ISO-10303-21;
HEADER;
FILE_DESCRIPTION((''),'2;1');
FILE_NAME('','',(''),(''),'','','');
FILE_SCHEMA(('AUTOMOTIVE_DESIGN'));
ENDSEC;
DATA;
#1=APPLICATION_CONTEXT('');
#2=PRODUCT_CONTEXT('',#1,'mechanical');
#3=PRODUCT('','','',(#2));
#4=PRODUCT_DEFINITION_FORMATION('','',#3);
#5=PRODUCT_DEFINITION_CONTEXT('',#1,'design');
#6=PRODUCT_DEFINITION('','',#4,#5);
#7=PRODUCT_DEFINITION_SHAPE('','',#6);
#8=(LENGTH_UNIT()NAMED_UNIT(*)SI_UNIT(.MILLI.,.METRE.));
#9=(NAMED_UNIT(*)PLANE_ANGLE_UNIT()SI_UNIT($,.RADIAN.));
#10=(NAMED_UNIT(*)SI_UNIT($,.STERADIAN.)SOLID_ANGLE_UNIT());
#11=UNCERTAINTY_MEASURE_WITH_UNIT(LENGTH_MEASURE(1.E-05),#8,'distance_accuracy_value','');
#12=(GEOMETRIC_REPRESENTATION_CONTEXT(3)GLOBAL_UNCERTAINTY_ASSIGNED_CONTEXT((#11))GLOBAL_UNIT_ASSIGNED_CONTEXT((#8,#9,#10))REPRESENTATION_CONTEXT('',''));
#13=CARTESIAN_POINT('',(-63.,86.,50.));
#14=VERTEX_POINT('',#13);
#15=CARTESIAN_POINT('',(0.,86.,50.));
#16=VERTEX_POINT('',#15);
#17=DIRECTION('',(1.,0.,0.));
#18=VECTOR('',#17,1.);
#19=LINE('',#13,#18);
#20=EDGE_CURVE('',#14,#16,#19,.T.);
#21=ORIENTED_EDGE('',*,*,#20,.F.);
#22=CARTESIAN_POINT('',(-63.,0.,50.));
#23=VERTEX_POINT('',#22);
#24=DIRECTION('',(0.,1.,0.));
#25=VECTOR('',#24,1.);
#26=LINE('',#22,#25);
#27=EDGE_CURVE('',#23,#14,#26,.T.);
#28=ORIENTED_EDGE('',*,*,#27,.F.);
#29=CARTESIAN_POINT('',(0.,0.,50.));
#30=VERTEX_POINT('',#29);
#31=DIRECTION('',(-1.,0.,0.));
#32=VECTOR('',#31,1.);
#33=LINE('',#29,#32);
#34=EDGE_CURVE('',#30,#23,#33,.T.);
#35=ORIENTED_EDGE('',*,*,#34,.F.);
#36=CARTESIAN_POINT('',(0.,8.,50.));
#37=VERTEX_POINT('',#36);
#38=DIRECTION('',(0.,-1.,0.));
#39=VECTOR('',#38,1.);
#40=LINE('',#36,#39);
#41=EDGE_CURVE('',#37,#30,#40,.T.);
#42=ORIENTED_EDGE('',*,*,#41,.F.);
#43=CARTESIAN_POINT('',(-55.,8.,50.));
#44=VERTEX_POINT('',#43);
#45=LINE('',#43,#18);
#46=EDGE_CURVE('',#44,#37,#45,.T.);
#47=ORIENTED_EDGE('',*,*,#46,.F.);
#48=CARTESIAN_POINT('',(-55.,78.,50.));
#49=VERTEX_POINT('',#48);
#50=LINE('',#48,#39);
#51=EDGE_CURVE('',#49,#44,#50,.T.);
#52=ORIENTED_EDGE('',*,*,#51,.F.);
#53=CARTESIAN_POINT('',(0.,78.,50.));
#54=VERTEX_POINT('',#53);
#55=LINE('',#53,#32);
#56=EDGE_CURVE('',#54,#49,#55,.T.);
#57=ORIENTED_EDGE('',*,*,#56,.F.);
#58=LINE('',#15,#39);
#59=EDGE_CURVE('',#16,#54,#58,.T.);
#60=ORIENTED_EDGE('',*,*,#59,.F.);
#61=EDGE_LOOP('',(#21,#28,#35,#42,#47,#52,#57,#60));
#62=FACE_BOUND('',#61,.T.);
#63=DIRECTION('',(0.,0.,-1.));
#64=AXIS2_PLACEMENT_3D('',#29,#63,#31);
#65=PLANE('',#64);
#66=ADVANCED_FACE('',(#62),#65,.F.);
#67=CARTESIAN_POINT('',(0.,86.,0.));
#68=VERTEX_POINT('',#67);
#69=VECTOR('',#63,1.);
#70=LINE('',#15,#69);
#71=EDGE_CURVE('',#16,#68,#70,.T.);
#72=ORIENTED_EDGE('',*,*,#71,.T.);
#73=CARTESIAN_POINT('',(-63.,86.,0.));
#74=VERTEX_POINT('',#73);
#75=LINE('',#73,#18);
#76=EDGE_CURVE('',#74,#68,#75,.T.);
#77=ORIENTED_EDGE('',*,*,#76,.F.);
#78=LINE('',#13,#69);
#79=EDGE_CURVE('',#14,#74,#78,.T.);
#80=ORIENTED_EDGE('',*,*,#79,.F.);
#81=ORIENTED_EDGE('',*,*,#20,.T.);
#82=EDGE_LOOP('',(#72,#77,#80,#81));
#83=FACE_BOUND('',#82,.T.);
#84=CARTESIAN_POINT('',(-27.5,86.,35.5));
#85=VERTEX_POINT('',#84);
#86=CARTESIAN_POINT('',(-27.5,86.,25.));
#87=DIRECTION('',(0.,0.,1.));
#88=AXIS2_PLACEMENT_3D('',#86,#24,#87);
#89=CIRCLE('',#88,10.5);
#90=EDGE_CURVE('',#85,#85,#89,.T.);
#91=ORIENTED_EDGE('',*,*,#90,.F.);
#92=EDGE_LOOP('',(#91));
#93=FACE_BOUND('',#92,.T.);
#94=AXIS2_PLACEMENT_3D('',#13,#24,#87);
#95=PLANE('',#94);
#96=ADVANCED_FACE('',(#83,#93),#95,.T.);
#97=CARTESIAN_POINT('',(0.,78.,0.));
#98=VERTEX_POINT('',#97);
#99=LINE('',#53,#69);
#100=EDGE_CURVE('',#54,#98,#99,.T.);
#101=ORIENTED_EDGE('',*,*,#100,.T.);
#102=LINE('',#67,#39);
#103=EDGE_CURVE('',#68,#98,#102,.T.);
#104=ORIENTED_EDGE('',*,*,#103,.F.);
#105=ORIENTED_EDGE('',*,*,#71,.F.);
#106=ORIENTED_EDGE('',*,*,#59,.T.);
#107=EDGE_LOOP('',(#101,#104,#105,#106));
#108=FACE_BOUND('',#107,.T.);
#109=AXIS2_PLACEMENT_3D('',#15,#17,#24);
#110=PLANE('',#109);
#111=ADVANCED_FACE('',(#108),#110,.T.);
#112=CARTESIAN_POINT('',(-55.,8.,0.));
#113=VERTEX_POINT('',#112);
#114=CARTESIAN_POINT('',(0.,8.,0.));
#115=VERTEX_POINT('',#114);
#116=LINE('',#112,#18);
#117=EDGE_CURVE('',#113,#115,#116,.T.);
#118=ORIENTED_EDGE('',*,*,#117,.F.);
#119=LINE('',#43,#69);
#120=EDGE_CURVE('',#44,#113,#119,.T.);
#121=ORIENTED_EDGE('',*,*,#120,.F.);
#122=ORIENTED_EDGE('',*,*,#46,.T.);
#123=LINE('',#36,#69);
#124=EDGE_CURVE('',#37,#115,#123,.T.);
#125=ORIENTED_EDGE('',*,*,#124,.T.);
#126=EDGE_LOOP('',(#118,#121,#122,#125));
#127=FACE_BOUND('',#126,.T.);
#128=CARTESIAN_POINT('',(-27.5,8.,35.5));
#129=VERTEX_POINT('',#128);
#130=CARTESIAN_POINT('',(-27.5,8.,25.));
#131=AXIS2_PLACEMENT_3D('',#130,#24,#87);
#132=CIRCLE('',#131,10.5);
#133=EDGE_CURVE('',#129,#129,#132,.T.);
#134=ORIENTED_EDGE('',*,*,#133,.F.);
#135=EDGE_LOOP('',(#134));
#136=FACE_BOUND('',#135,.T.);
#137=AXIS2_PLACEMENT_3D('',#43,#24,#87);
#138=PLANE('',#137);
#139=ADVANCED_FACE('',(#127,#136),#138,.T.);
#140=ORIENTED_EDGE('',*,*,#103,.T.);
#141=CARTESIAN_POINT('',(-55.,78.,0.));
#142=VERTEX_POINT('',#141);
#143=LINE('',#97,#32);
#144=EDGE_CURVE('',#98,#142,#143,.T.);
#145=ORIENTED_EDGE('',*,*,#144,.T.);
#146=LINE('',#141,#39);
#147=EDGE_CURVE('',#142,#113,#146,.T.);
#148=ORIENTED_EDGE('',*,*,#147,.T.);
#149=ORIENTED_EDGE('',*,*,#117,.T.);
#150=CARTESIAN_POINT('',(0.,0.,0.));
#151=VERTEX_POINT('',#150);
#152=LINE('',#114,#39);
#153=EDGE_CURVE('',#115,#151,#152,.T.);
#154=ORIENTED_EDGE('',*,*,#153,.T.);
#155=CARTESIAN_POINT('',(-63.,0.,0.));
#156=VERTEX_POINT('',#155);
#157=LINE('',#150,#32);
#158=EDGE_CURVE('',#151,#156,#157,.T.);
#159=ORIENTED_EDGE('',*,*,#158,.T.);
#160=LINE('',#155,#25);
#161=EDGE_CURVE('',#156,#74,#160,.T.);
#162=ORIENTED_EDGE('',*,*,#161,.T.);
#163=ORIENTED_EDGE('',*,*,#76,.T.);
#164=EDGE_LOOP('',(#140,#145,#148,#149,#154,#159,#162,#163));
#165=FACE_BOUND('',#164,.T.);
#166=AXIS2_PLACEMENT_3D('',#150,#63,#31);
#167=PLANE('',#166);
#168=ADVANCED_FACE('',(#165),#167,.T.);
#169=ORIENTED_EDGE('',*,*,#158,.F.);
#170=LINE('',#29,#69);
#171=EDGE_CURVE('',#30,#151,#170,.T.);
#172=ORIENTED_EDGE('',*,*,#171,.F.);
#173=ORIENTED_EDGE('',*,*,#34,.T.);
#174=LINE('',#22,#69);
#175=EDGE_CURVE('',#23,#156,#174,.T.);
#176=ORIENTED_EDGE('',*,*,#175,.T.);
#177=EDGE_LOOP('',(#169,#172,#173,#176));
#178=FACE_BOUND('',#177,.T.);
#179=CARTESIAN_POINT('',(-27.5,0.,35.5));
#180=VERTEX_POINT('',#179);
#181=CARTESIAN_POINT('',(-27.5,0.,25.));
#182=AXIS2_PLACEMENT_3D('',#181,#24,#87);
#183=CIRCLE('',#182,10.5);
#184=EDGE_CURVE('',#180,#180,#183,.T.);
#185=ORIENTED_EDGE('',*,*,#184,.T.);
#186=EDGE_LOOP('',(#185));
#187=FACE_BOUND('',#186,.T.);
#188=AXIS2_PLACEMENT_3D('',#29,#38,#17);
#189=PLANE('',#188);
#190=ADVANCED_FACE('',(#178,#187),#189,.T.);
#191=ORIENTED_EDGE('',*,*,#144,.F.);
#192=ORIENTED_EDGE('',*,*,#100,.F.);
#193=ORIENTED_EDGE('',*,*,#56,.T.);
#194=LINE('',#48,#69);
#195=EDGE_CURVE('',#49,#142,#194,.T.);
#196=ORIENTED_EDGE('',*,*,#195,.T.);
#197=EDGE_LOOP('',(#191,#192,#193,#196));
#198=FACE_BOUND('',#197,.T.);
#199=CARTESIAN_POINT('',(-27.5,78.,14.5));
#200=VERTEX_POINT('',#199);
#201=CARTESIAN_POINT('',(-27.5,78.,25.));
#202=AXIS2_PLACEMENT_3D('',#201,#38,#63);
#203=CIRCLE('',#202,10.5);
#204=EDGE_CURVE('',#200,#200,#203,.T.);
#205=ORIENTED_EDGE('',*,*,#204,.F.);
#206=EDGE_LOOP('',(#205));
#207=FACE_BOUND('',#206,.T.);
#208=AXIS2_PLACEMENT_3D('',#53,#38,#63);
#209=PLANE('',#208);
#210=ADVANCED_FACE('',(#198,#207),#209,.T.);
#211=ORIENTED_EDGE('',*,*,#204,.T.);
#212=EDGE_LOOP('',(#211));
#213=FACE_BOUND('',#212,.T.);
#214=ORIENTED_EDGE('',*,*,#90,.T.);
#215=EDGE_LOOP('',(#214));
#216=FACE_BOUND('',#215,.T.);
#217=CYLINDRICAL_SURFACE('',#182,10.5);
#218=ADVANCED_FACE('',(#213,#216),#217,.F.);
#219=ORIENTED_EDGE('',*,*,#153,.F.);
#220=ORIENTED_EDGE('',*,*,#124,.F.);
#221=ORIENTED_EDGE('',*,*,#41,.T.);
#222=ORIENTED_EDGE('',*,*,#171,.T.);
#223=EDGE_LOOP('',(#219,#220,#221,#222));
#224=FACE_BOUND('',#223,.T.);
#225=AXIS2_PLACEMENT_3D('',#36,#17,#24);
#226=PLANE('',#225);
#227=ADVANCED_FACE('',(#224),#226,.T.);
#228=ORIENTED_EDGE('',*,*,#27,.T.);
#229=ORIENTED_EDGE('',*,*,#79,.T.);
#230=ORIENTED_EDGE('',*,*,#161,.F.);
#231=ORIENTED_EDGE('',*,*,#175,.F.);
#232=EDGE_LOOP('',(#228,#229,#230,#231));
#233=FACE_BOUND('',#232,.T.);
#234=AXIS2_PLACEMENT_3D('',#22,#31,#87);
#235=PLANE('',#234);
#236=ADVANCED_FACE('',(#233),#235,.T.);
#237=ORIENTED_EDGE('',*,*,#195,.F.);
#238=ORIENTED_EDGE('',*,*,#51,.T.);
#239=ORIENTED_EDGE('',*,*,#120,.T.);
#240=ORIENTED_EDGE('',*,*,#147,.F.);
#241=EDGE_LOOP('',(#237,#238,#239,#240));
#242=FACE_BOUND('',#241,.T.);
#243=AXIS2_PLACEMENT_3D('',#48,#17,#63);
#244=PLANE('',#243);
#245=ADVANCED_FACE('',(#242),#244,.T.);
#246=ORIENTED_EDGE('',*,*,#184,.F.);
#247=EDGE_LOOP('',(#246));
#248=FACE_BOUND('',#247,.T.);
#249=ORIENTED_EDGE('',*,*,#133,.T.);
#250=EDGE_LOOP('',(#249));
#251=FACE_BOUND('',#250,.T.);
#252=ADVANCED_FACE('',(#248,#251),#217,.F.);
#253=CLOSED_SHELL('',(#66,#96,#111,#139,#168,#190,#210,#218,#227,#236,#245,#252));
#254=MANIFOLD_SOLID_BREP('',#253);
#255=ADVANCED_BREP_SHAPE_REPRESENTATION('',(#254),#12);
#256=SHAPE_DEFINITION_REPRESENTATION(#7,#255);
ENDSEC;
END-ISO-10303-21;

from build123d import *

# Parameters (mm, degrees)
DODANIE_WYCI_GNI_CIE1_DEPTH = 50
SZKIC2_R                    = 10.5
WYTNIJ_WYCI_GNI_CIE1_DEPTH  = 87


with BuildPart() as part:
    # Szkic1 → Dodanie-wyciągnięcie1 (new body)
    with BuildSketch(Plane.XY):
        Polygon((0, 0), (-63, 0), (-63, 86), (0, 86), (0, 78), (-55, 78), (-55, 8), (0, 8), align=None)
    extrude(amount=DODANIE_WYCI_GNI_CIE1_DEPTH)

    # Szkic2 → Wytnij-wyciągnięcie1 (cut, through all)
    with BuildSketch(Plane(origin=(0, 86, 0), x_dir=(1, 0, 0), z_dir=(0, 1, 0))):
        with Locations((-27.5, -25)):
            Circle(SZKIC2_R)
    extrude(amount=-WYTNIJ_WYCI_GNI_CIE1_DEPTH, mode=Mode.SUBTRACT)


solid = part.part
